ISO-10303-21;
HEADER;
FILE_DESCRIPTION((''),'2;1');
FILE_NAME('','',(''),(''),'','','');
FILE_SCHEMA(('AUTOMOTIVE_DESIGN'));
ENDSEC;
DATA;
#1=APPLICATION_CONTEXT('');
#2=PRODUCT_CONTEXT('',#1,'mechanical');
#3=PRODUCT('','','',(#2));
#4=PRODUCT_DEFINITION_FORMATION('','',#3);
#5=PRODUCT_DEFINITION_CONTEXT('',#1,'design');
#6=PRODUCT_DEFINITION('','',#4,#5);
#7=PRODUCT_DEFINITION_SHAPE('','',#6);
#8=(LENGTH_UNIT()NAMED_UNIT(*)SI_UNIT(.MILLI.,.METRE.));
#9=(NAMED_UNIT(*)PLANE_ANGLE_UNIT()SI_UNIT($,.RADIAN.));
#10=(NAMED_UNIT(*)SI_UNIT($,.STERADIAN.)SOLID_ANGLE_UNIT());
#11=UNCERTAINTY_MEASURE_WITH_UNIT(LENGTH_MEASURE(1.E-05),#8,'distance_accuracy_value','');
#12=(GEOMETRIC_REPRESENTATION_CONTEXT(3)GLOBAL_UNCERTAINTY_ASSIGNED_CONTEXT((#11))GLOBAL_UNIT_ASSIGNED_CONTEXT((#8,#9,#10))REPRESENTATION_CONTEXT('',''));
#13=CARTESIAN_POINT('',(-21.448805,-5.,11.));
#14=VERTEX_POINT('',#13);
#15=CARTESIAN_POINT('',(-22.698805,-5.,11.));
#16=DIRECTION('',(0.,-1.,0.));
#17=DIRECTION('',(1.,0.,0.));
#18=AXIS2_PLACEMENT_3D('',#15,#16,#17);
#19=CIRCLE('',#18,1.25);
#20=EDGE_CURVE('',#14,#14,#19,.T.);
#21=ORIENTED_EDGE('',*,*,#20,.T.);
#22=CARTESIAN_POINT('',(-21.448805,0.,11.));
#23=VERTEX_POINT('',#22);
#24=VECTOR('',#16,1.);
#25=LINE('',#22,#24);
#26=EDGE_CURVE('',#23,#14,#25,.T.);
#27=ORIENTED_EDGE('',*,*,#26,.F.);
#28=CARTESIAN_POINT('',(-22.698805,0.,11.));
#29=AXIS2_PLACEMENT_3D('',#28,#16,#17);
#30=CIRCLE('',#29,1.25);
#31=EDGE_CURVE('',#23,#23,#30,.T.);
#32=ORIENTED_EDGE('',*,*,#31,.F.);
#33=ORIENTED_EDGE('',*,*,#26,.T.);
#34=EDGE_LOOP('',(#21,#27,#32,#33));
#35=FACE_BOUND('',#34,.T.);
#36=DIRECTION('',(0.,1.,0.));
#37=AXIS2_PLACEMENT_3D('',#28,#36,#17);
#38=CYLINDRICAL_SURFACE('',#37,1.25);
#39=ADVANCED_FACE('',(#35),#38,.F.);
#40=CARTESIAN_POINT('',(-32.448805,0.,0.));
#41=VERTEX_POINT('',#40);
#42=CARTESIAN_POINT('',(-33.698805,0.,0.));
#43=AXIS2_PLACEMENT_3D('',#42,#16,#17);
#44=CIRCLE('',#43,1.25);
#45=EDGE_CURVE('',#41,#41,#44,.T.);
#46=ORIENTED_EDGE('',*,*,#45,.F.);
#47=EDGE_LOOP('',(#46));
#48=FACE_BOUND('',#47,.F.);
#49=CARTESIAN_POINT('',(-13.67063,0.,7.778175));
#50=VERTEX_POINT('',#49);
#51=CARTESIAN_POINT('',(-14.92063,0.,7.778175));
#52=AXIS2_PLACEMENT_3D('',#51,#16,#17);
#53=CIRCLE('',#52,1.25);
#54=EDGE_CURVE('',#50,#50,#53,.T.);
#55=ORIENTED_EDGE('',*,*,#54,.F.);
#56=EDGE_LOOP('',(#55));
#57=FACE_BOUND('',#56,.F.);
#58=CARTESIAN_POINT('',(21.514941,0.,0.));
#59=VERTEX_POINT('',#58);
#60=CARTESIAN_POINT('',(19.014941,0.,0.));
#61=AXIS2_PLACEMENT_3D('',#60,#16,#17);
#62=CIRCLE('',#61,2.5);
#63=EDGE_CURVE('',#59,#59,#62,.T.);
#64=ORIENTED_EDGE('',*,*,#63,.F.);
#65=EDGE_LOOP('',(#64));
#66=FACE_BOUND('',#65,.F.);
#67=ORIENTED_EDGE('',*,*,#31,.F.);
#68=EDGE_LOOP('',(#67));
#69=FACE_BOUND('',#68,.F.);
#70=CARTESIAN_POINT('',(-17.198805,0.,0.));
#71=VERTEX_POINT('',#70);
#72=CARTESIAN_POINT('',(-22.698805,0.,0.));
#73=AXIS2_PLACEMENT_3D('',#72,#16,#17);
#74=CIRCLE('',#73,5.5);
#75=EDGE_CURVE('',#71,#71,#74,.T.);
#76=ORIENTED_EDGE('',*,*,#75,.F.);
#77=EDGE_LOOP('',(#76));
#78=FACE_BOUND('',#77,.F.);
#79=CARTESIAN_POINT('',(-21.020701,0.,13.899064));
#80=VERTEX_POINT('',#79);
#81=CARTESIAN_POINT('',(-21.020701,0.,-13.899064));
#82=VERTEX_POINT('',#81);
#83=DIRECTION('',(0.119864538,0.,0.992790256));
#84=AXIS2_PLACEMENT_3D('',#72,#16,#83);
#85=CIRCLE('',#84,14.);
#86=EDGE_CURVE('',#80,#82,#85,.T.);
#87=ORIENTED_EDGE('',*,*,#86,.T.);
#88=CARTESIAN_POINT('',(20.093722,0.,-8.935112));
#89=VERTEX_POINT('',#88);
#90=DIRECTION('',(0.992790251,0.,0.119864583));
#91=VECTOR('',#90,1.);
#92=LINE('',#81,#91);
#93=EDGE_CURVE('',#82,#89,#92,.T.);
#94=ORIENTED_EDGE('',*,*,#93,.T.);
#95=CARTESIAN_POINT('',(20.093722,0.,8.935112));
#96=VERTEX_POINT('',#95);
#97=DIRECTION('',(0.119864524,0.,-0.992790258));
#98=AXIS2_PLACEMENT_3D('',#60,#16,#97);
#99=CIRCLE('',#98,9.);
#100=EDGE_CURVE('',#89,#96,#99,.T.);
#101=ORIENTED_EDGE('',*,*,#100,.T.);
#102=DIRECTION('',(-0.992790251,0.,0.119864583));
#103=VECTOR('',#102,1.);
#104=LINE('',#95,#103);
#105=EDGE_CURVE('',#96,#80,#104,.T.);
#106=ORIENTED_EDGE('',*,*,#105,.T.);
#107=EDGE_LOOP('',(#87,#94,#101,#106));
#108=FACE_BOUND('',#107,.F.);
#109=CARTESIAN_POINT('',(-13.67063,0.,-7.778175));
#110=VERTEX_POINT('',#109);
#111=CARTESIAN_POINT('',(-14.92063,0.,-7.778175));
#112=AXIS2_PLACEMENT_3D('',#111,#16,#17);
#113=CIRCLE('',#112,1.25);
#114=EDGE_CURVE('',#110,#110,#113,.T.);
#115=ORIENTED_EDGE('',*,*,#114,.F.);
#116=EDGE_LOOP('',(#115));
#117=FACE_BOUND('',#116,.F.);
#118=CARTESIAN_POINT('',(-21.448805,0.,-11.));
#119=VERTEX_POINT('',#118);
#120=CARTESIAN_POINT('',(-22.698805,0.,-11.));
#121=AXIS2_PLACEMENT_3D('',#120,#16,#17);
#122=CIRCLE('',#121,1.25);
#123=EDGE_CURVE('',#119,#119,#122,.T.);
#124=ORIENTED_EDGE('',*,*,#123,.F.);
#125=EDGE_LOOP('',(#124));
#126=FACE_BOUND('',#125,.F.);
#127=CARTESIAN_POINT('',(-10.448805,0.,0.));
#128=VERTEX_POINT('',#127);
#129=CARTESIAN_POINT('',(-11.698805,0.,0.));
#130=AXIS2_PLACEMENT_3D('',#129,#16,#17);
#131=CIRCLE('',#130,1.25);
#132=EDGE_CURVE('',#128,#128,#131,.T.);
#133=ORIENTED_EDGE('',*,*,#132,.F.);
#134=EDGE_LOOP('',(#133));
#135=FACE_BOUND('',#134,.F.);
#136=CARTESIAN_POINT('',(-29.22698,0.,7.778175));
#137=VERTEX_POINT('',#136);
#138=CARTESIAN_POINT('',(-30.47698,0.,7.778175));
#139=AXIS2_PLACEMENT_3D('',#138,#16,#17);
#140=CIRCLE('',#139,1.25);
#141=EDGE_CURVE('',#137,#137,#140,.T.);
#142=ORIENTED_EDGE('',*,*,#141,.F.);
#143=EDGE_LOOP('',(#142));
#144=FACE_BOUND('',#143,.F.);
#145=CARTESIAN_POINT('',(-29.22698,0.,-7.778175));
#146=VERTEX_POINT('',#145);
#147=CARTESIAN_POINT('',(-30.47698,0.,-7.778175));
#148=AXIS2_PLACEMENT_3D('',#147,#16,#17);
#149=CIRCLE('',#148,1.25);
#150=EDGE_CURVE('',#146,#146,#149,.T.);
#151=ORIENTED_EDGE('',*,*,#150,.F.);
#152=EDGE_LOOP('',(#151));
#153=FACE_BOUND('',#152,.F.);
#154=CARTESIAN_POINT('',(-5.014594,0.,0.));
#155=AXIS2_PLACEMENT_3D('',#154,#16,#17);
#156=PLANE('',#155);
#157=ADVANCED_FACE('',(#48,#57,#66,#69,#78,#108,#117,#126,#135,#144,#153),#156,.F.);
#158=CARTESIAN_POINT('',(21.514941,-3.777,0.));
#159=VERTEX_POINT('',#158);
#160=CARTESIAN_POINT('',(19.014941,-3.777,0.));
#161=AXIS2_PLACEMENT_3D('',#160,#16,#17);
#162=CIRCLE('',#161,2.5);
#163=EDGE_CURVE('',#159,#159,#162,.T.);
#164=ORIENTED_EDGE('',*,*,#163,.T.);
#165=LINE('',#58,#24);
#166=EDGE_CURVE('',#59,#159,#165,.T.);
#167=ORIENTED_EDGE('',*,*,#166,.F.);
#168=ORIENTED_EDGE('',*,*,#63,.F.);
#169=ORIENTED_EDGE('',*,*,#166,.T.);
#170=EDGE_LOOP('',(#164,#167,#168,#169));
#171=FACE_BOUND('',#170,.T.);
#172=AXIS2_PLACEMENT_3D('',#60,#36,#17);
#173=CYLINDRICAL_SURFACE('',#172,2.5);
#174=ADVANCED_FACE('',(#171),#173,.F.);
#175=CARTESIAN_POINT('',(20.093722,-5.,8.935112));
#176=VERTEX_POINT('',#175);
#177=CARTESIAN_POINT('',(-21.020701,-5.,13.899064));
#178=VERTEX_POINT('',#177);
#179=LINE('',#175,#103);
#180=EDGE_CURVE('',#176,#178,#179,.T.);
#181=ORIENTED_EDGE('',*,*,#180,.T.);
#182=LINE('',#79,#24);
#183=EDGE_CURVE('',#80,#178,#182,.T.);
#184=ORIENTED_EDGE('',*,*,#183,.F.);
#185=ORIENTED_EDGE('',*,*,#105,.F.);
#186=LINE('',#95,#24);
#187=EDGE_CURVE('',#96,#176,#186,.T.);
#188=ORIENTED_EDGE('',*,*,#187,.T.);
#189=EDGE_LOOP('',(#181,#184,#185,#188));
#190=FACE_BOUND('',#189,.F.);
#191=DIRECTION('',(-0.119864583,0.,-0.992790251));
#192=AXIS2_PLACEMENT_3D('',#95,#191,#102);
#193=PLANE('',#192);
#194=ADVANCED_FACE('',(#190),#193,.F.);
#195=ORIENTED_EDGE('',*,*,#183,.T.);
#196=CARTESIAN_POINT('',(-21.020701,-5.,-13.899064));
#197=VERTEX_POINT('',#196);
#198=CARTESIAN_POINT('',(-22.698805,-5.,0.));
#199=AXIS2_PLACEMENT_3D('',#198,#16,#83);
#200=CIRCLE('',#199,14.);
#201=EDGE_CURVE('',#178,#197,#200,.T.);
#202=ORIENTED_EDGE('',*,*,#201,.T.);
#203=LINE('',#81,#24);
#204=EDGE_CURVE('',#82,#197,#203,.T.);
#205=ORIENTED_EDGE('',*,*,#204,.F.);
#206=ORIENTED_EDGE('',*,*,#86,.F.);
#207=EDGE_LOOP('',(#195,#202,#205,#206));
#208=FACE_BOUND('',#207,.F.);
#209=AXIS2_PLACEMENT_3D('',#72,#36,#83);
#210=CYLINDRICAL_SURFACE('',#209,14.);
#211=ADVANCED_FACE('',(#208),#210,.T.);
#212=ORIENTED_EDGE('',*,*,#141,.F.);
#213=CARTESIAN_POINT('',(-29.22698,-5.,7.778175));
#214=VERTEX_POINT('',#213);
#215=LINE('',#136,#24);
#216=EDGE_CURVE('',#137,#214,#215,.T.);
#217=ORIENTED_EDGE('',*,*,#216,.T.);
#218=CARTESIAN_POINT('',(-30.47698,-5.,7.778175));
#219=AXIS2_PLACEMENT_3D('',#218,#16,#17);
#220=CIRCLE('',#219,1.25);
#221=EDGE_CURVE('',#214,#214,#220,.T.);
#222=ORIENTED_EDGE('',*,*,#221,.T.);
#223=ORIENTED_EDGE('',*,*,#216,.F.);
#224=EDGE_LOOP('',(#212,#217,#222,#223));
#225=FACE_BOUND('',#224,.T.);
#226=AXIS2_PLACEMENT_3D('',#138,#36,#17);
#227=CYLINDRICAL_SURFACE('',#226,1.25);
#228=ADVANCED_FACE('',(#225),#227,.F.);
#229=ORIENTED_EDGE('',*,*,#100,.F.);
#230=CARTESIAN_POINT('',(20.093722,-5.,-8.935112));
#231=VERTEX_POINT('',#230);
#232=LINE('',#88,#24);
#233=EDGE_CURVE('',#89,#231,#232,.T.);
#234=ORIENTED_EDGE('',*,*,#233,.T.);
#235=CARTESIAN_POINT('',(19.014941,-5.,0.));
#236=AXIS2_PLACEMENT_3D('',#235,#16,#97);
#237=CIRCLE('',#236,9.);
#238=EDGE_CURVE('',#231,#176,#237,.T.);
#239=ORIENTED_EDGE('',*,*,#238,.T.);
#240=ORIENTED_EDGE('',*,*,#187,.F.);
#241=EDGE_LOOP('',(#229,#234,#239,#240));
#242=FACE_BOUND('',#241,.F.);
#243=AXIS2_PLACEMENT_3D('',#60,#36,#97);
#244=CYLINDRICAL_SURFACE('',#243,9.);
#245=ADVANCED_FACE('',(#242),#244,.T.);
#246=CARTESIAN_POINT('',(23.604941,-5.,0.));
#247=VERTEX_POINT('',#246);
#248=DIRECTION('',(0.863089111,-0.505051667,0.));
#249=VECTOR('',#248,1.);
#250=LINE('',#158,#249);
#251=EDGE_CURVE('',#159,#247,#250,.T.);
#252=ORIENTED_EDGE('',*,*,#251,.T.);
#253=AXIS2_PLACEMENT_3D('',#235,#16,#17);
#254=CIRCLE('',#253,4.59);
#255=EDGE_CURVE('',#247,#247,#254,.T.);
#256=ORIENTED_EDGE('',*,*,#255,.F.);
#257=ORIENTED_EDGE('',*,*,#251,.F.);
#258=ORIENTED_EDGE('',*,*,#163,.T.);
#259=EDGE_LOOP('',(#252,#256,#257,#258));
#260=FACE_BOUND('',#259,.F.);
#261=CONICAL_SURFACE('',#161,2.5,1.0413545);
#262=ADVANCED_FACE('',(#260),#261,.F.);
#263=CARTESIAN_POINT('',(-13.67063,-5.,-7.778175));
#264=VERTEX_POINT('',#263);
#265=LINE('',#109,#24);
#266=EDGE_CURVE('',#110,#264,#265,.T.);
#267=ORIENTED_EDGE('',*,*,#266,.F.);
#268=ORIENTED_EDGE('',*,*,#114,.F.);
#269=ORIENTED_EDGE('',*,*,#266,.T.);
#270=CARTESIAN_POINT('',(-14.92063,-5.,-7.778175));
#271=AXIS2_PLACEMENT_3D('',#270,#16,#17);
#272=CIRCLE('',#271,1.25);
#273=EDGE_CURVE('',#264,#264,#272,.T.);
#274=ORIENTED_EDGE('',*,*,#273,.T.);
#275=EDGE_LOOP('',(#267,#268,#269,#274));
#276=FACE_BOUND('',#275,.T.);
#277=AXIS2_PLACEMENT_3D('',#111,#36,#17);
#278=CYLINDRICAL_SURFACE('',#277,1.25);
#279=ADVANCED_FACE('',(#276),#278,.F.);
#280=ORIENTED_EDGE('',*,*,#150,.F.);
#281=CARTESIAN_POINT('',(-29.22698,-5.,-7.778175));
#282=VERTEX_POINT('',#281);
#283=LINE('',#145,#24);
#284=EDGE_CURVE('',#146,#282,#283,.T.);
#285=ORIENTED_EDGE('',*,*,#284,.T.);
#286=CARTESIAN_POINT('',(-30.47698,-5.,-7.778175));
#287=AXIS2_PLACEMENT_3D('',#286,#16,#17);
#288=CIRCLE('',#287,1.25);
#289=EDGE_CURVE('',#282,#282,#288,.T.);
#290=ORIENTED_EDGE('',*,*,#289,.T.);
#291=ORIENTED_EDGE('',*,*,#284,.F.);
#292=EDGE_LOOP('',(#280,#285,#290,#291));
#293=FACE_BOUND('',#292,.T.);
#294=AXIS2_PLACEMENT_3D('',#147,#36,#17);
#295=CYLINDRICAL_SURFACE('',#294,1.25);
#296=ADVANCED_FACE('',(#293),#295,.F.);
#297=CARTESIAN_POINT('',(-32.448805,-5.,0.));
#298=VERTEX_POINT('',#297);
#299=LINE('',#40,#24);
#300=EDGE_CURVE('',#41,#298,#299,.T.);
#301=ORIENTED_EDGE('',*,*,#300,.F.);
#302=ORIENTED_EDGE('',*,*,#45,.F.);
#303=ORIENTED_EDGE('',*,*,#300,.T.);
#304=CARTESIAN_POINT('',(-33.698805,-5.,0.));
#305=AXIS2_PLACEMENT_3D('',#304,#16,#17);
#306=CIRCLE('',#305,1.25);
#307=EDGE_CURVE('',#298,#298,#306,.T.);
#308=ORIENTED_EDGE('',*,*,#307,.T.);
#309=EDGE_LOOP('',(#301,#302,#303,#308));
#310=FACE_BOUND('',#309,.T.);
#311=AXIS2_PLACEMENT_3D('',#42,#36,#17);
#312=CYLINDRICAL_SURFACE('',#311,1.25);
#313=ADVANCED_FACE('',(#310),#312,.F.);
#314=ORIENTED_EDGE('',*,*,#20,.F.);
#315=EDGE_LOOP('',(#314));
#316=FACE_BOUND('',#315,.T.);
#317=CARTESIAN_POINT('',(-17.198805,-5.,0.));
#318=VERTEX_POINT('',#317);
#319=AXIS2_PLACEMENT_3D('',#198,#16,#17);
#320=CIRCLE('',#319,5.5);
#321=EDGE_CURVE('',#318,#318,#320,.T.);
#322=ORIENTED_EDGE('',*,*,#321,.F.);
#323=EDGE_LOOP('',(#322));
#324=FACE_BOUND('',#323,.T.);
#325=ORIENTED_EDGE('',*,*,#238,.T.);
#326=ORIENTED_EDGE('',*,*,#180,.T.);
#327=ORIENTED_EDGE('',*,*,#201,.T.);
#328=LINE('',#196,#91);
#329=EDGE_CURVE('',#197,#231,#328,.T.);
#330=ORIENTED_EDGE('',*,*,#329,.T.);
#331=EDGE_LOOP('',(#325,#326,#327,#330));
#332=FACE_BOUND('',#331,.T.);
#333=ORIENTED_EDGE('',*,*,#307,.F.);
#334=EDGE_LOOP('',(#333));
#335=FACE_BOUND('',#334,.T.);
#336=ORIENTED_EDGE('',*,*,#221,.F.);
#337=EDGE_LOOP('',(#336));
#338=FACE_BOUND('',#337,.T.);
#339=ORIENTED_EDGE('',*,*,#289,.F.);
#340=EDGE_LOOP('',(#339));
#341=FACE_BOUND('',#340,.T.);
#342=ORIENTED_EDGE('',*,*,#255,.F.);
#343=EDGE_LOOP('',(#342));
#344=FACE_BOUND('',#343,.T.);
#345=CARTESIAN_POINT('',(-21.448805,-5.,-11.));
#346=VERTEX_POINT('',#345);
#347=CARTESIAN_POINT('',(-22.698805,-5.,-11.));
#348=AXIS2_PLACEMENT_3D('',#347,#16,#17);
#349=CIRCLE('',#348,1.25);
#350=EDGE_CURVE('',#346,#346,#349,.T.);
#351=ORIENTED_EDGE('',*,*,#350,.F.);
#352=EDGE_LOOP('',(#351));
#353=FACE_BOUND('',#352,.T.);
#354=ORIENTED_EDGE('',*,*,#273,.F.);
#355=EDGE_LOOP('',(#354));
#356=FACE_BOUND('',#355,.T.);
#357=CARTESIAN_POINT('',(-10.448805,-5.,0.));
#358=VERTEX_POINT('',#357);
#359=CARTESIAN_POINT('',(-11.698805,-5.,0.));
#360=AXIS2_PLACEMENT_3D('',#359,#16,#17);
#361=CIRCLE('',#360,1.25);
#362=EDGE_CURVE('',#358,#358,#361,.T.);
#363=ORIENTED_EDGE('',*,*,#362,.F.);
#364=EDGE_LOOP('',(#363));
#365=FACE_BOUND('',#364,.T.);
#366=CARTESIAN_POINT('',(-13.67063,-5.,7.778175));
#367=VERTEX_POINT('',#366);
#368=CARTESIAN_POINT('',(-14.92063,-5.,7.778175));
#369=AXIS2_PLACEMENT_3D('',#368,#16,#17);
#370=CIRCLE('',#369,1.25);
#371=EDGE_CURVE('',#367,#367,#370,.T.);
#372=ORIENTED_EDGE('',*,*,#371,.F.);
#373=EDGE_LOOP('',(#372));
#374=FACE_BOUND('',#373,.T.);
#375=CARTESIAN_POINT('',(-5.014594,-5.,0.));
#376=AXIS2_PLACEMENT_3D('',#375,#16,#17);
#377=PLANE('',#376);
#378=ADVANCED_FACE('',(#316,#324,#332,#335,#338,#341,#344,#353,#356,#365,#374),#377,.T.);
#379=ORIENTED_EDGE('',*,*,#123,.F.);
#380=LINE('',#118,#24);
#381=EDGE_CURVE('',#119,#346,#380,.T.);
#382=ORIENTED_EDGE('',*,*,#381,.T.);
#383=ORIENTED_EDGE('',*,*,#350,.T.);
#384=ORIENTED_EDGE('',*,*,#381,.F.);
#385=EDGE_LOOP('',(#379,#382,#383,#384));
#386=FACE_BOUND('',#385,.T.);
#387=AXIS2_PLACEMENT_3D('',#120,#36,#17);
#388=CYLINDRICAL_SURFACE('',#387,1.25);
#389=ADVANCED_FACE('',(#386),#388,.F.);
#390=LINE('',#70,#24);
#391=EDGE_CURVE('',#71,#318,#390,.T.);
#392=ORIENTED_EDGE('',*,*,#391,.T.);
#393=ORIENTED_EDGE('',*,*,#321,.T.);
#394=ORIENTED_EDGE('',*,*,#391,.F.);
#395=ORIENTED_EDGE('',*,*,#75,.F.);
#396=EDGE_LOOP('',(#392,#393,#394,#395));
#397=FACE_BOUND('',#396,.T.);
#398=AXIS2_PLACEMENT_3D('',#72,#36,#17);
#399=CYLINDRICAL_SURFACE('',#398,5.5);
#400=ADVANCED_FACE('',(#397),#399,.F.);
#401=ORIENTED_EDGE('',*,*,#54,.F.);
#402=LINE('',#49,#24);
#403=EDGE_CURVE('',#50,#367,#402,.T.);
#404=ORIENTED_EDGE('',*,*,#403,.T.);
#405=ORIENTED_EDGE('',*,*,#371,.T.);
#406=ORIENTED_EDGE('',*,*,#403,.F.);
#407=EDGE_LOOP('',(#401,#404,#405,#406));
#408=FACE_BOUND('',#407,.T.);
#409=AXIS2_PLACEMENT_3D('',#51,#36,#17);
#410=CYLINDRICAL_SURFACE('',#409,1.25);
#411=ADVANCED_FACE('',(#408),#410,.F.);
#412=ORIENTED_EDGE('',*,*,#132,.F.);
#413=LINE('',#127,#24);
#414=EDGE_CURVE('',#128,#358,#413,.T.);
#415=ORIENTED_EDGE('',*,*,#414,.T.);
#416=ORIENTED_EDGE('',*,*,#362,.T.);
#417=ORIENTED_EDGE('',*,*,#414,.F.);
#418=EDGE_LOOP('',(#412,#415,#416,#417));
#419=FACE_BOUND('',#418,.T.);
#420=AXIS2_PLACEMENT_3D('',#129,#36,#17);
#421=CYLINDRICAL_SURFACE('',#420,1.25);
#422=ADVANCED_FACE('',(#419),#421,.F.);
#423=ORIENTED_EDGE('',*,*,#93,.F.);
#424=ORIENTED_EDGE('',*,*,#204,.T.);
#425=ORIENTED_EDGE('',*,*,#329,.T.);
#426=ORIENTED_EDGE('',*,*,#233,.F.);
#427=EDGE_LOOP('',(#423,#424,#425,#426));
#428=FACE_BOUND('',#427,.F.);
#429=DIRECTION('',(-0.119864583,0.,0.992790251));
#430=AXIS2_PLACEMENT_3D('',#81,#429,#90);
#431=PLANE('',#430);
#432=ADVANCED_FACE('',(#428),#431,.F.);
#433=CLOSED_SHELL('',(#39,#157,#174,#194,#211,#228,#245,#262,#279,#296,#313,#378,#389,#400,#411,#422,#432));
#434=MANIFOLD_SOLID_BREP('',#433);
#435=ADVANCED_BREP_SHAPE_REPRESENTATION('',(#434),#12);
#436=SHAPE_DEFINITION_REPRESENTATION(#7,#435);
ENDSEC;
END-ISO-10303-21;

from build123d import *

# Parameters (mm, degrees)
F0_R     = 1.25
F0_R_2   = 5.5
F0_R_3   = 2.5
F1_DEPTH = 5
F2_SIZE2 = 2.09
F2_SIZE  = 1.223


with BuildPart() as f1:
    # F0 (on Front) → F1 (new body)
    with BuildSketch(Plane.XZ):
        with BuildLine():
            Line((20.093722, 8.935112), (-21.020701, 13.899064))
            ThreePointArc((-21.020701, 13.899064), (-36.698805, 0), (-21.020701, -13.899064))
            Line((-21.020701, -13.899064), (20.093722, -8.935112))
            ThreePointArc((20.093722, -8.935112), (28.014941, 0), (20.093722, 8.935112))
        make_face()
        with Locations((-22.698805, -11)):
            Circle(F0_R, mode=Mode.SUBTRACT)
        with Locations((-30.47698, -7.778175)):
            Circle(F0_R, mode=Mode.SUBTRACT)
        with Locations((-14.92063, -7.778175)):
            Circle(F0_R, mode=Mode.SUBTRACT)
        with Locations((-33.698805, 0)):
            Circle(F0_R, mode=Mode.SUBTRACT)
        with Locations((-22.698805, 0)):
            Circle(F0_R_2, mode=Mode.SUBTRACT)
        with Locations((-11.698805, 0)):
            Circle(F0_R, mode=Mode.SUBTRACT)
        with Locations((-30.47698, 7.778175)):
            Circle(F0_R, mode=Mode.SUBTRACT)
        with Locations((-22.698805, 11)):
            Circle(F0_R, mode=Mode.SUBTRACT)
        with Locations((-14.92063, 7.778175)):
            Circle(F0_R, mode=Mode.SUBTRACT)
        with Locations((19.014941, 0)):
            Circle(F0_R_3, mode=Mode.SUBTRACT)
    extrude(amount=F1_DEPTH)

    # F2
    f2_edges = [f1.edges().sort_by_distance(p)[0] for p in [
        (16.514941, -5, 0),
    ]]
    chamfer(f2_edges, length=F2_SIZE, length2=F2_SIZE2)


solid = f1.part
